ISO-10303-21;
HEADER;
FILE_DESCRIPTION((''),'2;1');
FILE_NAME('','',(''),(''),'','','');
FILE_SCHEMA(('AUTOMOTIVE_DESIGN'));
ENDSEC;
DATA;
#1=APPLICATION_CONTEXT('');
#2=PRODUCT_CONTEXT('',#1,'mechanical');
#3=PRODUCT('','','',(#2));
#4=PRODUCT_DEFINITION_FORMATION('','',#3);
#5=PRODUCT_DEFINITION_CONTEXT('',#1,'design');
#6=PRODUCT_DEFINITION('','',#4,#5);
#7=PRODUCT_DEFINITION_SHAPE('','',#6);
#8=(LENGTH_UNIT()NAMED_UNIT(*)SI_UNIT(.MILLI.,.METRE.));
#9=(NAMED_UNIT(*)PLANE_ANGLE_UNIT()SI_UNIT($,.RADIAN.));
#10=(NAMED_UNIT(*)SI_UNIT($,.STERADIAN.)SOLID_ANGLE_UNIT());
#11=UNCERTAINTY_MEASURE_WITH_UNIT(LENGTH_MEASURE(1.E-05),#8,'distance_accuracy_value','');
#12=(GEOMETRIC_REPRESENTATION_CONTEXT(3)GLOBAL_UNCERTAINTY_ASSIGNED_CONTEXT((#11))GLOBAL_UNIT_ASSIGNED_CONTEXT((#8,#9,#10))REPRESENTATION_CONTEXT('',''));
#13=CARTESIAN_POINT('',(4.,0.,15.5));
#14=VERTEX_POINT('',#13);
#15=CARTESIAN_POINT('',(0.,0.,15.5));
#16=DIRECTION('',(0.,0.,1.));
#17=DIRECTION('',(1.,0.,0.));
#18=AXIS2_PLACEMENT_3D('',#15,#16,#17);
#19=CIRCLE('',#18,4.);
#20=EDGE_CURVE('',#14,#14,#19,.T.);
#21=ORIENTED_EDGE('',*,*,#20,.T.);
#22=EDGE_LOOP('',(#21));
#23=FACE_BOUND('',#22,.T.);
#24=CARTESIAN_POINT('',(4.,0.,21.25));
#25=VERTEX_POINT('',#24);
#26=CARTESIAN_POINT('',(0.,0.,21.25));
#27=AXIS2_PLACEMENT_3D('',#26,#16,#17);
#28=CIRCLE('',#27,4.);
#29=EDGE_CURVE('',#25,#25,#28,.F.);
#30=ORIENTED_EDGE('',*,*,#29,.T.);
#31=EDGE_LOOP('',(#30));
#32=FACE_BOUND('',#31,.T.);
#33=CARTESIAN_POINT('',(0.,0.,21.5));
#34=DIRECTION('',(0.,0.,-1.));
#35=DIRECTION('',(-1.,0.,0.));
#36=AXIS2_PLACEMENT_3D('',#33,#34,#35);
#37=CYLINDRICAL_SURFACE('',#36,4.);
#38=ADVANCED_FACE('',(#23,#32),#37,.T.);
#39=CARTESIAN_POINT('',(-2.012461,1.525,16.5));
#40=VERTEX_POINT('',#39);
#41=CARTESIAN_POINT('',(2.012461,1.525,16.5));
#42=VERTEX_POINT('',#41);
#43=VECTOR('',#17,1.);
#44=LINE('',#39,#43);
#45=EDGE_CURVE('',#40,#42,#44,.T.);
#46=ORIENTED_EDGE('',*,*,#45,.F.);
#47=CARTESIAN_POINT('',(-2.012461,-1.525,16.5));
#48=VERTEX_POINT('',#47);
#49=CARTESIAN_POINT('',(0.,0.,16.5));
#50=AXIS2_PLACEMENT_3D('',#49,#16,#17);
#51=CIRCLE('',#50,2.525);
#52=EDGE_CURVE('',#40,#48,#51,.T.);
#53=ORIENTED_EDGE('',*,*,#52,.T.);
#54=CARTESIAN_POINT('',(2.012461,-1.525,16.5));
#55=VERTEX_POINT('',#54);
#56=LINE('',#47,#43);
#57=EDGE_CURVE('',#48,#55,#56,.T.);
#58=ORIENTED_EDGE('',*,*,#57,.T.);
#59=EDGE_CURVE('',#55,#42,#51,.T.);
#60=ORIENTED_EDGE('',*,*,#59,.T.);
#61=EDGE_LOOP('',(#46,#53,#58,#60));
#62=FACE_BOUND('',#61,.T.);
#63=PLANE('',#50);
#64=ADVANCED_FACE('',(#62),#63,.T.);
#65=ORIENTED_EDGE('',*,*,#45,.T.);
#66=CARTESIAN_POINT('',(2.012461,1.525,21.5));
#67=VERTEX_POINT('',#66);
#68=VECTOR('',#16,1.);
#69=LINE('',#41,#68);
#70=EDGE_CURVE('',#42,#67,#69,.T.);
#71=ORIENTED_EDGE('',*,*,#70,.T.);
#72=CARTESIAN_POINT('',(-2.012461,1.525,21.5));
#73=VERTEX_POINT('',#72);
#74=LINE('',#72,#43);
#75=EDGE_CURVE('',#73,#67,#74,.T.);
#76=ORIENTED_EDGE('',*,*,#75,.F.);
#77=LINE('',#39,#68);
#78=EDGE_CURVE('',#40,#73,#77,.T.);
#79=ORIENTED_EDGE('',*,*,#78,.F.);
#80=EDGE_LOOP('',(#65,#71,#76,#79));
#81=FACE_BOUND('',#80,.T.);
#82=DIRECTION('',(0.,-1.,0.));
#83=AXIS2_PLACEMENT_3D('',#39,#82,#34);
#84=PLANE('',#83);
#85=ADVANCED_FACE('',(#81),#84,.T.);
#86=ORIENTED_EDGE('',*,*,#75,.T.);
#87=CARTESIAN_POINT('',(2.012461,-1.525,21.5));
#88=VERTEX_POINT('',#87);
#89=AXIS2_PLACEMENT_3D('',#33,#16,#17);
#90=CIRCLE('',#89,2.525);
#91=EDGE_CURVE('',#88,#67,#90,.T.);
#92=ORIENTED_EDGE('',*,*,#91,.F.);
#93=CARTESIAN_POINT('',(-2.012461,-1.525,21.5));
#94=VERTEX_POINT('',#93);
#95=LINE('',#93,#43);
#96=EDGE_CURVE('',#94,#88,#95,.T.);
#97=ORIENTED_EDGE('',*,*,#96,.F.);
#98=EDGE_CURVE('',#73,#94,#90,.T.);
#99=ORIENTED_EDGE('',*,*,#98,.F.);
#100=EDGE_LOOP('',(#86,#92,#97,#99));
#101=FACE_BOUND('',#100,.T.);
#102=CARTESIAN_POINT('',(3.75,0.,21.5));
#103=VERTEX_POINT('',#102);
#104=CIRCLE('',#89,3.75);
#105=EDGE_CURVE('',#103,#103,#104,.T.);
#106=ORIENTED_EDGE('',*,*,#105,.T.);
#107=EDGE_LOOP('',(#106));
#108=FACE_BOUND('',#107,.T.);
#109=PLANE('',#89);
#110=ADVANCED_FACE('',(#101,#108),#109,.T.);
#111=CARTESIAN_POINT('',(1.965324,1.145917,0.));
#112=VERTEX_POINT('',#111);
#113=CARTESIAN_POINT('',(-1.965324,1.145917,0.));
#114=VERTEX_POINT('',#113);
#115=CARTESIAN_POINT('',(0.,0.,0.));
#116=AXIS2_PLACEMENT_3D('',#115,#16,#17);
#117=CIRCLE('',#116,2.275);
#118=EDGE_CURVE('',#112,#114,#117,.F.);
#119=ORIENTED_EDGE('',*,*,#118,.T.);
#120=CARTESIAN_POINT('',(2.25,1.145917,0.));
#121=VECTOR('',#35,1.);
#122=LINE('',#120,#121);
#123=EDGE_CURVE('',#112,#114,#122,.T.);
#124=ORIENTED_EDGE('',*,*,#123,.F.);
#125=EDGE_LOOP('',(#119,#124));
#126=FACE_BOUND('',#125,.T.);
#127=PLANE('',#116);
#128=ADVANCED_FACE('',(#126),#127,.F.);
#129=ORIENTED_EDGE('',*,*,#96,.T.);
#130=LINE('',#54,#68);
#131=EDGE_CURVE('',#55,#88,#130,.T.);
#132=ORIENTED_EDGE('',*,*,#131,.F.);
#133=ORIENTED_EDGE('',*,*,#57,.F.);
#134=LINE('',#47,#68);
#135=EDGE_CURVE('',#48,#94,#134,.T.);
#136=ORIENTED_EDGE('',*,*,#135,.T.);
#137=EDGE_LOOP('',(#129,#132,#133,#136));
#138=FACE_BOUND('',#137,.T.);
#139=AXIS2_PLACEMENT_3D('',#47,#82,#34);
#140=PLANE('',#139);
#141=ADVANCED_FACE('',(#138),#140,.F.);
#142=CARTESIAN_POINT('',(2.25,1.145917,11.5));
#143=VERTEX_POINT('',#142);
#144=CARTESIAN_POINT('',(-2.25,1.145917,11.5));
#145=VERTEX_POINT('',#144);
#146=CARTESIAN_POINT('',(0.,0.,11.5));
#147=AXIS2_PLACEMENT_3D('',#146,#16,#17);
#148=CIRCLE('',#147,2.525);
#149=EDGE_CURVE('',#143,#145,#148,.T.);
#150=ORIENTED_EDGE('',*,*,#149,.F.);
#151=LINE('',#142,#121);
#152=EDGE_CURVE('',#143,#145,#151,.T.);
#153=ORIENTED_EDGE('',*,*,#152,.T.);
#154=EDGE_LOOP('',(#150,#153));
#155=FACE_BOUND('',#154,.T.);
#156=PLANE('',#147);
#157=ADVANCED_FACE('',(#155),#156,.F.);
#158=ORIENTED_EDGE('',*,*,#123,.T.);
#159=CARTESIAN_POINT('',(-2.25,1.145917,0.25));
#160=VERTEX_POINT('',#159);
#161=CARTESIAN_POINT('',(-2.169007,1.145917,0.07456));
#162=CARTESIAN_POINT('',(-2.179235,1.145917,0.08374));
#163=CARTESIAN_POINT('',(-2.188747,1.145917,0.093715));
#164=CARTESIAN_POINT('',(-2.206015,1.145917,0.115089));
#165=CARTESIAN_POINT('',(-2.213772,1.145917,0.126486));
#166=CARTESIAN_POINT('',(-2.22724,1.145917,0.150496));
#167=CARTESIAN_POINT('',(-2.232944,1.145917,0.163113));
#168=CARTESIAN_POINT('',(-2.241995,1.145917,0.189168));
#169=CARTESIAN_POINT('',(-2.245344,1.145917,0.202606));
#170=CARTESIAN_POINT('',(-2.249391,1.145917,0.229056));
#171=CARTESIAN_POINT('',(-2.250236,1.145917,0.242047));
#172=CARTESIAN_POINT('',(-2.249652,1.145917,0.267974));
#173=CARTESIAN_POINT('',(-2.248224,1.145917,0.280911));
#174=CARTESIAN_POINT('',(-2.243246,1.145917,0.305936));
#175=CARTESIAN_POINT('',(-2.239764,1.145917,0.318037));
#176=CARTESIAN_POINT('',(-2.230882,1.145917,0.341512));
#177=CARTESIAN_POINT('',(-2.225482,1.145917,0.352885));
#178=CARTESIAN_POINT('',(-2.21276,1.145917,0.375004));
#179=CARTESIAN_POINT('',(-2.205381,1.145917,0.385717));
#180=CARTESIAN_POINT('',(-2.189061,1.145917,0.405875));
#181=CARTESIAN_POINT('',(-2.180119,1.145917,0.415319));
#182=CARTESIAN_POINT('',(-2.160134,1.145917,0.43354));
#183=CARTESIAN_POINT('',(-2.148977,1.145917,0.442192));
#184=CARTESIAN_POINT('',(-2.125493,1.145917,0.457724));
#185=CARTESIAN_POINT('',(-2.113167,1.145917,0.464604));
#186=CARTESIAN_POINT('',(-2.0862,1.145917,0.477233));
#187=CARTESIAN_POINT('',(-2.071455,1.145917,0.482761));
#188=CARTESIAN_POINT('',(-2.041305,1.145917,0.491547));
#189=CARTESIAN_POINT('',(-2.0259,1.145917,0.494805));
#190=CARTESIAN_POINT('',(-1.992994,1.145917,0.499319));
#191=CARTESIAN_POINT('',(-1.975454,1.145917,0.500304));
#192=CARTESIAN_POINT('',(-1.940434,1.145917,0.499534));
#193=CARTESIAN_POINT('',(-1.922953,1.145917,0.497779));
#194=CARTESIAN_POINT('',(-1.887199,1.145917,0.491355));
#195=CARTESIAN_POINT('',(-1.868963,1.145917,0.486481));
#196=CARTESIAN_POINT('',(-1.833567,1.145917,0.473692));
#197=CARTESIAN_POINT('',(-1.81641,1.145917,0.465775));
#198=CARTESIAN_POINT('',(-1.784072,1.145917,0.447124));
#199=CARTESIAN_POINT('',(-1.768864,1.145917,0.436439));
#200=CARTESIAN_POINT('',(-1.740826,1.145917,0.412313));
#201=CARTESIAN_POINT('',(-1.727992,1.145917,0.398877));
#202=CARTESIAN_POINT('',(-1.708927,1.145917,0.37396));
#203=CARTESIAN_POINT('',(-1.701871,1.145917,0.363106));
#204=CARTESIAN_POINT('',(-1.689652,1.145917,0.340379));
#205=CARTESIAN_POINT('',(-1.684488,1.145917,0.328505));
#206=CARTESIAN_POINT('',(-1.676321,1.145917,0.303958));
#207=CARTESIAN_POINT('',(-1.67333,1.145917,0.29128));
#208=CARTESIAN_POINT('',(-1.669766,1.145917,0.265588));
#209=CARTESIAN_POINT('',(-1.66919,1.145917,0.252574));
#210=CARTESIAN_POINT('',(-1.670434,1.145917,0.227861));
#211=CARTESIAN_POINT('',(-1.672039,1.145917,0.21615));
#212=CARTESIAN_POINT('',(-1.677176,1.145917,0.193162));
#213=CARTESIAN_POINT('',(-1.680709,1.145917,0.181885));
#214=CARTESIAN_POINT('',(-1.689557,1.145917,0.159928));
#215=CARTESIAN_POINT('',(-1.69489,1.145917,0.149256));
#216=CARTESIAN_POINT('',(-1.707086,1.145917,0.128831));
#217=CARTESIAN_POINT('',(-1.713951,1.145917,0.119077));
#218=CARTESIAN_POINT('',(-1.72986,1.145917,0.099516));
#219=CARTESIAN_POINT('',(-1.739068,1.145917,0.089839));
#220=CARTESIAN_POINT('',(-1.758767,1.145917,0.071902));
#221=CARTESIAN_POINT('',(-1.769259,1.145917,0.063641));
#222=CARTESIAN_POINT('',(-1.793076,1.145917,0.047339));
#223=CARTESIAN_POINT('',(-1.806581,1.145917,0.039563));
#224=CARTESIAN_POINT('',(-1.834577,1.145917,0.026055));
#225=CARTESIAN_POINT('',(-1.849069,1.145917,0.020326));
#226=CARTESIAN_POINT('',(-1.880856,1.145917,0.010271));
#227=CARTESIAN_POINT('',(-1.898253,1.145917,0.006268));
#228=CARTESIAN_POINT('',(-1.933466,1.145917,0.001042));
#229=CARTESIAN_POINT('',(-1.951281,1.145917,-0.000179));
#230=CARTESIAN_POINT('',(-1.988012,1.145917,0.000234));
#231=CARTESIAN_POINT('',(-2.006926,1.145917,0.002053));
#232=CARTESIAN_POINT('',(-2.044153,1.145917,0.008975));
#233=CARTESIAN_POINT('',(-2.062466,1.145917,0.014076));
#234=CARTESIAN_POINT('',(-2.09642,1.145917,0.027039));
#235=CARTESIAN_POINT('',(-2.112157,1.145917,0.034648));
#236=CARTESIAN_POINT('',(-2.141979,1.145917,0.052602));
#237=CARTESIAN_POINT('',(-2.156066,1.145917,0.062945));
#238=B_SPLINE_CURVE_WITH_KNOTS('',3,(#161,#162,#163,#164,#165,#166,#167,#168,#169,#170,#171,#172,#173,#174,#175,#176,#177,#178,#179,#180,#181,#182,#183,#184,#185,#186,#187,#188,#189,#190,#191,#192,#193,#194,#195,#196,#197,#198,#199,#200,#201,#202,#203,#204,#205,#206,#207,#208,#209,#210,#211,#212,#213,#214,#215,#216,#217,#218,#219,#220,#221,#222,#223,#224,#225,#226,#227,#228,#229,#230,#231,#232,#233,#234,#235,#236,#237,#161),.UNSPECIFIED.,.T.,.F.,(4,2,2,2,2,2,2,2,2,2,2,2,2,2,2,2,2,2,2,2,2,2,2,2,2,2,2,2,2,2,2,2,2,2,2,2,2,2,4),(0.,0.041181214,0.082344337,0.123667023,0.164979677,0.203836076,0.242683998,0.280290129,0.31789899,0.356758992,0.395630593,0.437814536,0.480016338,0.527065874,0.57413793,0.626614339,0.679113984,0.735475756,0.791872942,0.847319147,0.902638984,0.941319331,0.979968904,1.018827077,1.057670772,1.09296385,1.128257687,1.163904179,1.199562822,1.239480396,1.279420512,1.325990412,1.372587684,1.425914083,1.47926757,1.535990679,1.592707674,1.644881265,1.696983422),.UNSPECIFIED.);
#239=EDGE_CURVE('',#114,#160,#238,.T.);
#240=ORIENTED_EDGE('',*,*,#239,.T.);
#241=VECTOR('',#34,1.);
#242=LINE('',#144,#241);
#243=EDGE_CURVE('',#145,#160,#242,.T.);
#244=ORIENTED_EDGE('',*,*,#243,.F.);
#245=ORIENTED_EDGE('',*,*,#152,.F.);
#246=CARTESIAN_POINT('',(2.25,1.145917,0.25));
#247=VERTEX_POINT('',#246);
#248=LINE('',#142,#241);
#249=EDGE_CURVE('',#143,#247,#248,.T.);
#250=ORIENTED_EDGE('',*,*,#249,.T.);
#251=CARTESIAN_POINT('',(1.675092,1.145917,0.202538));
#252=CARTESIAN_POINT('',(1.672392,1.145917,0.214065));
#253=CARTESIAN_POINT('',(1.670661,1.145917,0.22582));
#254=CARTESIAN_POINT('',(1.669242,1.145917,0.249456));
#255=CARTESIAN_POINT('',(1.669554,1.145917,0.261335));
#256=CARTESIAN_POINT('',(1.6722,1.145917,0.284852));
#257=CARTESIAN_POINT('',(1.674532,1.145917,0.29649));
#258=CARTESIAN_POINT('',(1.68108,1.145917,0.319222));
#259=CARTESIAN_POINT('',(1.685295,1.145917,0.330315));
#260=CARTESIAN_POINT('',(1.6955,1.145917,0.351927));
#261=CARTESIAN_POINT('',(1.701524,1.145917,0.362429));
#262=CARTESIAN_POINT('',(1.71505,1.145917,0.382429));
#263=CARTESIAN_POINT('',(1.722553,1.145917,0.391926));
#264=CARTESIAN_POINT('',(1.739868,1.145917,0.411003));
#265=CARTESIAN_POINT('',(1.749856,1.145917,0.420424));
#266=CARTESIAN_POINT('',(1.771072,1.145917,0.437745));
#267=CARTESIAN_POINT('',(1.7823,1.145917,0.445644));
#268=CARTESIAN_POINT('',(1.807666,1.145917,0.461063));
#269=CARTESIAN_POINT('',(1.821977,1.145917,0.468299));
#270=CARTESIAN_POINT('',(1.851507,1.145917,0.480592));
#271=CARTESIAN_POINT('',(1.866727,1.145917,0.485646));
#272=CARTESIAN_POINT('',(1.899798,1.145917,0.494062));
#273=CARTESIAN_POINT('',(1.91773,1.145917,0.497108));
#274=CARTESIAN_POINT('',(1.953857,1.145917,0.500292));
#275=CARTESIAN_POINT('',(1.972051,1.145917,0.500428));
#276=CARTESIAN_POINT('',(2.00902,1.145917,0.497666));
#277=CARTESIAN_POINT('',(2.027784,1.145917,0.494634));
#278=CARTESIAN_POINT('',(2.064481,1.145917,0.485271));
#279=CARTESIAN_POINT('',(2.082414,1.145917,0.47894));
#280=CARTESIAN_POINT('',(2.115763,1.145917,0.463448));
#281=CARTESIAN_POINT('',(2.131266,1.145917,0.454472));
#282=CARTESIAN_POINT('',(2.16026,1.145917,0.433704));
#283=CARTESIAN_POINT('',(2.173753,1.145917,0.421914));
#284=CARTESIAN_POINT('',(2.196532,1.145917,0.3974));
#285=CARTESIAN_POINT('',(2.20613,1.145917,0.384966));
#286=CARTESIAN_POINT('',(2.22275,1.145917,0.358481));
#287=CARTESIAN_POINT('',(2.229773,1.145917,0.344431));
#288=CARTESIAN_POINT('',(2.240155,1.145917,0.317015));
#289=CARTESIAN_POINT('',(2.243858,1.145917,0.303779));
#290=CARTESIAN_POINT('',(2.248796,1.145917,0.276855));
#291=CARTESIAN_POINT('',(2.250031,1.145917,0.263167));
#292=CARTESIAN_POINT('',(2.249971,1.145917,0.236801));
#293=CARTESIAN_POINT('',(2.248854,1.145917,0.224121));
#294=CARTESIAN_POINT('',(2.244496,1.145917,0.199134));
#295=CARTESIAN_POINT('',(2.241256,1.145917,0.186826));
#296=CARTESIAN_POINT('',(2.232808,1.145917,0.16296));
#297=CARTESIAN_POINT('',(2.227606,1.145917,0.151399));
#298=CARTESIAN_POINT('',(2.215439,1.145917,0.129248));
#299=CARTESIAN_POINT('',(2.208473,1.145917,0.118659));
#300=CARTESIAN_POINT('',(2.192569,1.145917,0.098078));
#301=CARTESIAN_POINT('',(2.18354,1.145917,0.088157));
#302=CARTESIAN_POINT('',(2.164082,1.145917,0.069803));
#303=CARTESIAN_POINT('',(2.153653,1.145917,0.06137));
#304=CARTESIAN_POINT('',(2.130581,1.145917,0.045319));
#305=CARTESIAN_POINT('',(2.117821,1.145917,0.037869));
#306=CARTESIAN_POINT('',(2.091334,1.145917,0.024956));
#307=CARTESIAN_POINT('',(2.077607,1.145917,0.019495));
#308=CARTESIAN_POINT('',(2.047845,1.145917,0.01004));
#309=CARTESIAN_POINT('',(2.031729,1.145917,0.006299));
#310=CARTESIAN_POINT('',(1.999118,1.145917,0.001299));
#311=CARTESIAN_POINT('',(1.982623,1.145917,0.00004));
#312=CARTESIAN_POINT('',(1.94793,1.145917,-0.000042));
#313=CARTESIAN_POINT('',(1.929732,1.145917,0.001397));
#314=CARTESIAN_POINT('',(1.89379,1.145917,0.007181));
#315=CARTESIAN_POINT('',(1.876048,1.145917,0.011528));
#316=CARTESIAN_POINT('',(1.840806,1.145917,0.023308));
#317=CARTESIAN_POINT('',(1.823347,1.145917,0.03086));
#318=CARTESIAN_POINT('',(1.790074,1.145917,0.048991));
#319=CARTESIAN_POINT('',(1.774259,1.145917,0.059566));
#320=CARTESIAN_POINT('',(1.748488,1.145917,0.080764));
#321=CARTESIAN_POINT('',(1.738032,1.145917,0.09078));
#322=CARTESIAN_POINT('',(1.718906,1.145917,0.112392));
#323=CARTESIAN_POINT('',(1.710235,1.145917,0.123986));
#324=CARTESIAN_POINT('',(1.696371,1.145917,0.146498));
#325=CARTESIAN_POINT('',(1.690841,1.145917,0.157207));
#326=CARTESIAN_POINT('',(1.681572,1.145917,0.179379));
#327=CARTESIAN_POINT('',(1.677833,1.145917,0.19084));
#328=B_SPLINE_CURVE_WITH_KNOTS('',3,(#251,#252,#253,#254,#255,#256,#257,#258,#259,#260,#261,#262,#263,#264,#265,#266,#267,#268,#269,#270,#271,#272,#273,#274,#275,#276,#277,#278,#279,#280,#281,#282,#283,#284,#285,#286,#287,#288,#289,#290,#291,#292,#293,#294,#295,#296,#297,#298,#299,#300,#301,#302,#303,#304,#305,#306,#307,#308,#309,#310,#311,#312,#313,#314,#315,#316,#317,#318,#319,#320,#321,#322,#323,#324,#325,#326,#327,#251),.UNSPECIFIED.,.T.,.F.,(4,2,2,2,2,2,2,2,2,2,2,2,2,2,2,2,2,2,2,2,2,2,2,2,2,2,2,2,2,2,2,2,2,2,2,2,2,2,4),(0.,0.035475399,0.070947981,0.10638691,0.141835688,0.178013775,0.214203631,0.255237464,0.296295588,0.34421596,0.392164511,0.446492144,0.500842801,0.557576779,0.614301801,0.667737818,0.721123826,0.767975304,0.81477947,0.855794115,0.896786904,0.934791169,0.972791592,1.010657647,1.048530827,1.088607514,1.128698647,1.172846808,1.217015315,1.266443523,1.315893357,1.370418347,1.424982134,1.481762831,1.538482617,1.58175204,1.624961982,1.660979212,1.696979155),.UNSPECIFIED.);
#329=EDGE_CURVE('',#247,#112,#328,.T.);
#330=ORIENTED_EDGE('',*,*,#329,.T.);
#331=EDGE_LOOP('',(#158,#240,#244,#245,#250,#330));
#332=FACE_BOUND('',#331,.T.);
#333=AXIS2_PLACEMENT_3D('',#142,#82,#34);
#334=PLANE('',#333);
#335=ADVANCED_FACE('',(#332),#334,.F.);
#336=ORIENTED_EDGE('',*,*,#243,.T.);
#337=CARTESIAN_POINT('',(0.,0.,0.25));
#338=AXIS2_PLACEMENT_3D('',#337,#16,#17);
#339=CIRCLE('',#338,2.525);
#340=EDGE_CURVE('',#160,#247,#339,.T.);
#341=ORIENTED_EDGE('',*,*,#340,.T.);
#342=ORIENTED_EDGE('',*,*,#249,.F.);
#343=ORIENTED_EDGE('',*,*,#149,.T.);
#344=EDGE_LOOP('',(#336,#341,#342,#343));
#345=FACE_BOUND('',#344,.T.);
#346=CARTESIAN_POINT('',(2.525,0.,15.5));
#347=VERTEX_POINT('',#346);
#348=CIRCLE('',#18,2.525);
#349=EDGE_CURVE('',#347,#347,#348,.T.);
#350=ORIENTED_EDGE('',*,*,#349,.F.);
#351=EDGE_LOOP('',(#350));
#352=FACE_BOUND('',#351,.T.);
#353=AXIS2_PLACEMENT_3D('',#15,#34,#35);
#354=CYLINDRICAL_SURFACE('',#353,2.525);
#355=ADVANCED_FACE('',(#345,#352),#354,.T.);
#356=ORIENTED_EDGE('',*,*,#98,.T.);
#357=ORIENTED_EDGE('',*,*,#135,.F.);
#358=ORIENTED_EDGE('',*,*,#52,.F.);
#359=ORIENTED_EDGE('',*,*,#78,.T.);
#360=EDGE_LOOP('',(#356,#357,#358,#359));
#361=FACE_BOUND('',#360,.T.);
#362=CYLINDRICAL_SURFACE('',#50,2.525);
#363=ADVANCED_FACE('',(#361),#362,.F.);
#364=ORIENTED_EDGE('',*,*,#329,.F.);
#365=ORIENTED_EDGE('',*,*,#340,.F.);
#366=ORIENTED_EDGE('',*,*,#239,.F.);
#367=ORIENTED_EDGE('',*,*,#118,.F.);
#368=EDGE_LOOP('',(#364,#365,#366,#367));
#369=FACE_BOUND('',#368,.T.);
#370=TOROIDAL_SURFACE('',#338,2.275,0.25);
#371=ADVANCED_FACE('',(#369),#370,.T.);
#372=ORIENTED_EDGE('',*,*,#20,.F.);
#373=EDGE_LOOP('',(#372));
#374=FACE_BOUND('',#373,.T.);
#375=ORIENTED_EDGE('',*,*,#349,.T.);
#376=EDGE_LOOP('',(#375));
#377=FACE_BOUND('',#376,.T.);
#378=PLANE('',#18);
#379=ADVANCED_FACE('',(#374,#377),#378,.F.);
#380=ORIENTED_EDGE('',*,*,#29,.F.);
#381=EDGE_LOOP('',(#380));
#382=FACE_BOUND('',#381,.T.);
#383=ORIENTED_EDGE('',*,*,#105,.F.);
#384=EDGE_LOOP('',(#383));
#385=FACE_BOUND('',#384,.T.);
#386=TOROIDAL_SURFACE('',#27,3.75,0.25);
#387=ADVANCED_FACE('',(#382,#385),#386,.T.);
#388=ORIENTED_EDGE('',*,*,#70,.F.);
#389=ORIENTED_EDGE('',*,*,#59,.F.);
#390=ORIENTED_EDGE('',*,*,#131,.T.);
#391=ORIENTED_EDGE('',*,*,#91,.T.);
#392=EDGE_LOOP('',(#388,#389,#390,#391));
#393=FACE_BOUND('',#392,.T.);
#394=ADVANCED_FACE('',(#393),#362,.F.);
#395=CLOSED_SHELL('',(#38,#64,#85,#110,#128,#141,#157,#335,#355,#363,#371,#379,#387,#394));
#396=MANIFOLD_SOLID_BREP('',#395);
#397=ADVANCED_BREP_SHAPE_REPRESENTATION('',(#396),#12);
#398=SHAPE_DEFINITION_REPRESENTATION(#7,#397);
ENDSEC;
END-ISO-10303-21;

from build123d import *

# Parameters (mm, degrees)
SKETCH1_R           = 2.525
BOSS_EXTRUDE1_DEPTH = 15.5
SKETCH2_R           = 4
BOSS_EXTRUDE2_DEPTH = 6
CUT_EXTRUDE1_START  = -5
CUT_EXTRUDE1_DEPTH  = 5
FILLET2_R           = 0.25
FILLET3_R           = 0.25
CUT_EXTRUDE2_DEPTH  = 11.5


with BuildPart() as part:
    # Sketch1 → Boss-Extrude1 (new body)
    with BuildSketch(Plane.XY):
        Circle(SKETCH1_R)
    extrude(amount=BOSS_EXTRUDE1_DEPTH)

    # Sketch2 → Boss-Extrude2 (add)
    with BuildSketch(Plane.XY.offset(15.5)):
        Circle(SKETCH2_R)
    extrude(amount=BOSS_EXTRUDE2_DEPTH)

    # Sketch3 → Cut-Extrude1 (cut)
    with BuildSketch(Plane.XY.offset(21.5).offset(CUT_EXTRUDE1_START)):
        with BuildLine():
            Line((-2.01246118, 1.525), (2.01246118, 1.525))
            ThreePointArc((2.01246118, 1.525), (2.525, 0), (2.01246118, -1.525))
            Line((2.01246118, -1.525), (-2.01246118, -1.525))
            ThreePointArc((-2.01246118, -1.525), (-2.525, 0), (-2.01246118, 1.525))
        make_face()
    extrude(amount=CUT_EXTRUDE1_DEPTH, mode=Mode.SUBTRACT)

    # Fillet2
    fillet2_edges = [part.edges().sort_by_distance(p)[0] for p in [
        (-4, 0, 21.5),
    ]]
    fillet(fillet2_edges, radius=FILLET2_R)

    # Fillet3
    fillet3_edges = [part.edges().sort_by_distance(p)[0] for p in [
        (-2.525, 0, 0),
    ]]
    fillet(fillet3_edges, radius=FILLET3_R)

    # Sketch4 → Cut-Extrude2 (cut)
    with BuildSketch(Plane(origin=(0, 0, 0), x_dir=(-1, 0, 0), z_dir=(0, 0, -1))):
        with BuildLine():
            Line((-2.25, 1.145916664), (2.25, 1.145916664))
            ThreePointArc((2.25, 1.145916664), (0, 2.525), (-2.25, 1.145916664))
        make_face()
    extrude(amount=-CUT_EXTRUDE2_DEPTH, mode=Mode.SUBTRACT)


solid = part.part
